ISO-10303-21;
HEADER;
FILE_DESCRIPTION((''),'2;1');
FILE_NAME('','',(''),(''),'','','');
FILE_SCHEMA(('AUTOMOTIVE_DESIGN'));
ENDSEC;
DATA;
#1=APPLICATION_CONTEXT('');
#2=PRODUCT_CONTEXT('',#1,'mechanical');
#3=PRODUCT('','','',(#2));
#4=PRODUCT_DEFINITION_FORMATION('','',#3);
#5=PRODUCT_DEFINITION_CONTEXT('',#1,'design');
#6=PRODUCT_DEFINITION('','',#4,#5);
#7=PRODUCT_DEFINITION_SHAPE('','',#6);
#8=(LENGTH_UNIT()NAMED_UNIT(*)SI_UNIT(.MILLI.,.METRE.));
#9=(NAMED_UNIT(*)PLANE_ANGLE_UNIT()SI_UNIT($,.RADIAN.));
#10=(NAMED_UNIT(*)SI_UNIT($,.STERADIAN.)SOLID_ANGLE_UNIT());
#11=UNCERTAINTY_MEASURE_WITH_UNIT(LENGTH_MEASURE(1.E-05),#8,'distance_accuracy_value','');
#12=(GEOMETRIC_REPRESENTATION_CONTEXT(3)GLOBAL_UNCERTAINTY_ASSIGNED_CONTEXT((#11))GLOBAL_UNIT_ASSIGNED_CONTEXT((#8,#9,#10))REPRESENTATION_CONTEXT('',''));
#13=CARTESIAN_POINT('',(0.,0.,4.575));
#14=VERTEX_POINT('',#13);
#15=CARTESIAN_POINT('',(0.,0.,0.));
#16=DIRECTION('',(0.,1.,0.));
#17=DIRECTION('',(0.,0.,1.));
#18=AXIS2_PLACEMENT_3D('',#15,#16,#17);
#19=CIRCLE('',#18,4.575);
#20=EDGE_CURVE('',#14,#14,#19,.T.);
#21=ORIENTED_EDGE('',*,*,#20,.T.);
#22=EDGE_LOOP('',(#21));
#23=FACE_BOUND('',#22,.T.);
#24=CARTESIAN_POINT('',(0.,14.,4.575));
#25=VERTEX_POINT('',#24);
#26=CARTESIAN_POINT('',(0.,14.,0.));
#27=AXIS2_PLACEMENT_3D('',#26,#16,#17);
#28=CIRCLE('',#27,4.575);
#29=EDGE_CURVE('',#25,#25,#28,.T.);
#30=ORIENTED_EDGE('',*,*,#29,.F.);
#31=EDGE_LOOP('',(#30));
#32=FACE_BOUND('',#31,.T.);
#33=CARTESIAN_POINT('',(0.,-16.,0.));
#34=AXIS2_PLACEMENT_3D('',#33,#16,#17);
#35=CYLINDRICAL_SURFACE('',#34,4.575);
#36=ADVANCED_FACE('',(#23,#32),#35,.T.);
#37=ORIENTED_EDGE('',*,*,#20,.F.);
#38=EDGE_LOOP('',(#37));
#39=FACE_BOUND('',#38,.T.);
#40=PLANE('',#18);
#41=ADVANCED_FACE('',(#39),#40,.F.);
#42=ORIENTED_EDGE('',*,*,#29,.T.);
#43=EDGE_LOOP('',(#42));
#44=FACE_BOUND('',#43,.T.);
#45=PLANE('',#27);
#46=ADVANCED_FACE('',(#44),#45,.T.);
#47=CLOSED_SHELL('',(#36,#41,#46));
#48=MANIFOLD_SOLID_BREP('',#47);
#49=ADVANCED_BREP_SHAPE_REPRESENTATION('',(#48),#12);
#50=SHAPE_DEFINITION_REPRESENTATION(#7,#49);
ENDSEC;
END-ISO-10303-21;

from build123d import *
from build123d.topology import SkipClean

# Parameters (mm, degrees)
SKETCH1_R               = 4.65
BOSS_EXTRUDE1_DEPTH     = 12
SKETCH2_R               = 17.5
BOSS_EXTRUDE2_DEPTH     = 2
SKETCH3_W               = 5
SKETCH3_H               = 13
BOSS_EXTRUDE3_DEPTH     = 12
FILLET1_R               = 4
FILLET2_R               = 4
CUT_EXTRUDE1_DEPTH      = 29.434134416
SKETCH5_R               = 2.05
CUT_EXTRUDE2_DEPTH      = 70
FILLET3_R               = 4
SKETCH6_R               = 24.65
SKETCH6_R_2             = 4.65
CUT_EXTRUDE_THIN1_DEPTH = 25.540782384
SKETCH7_R               = 24.575
SKETCH7_R_2             = 4.575
CUT_EXTRUDE_THIN2_DEPTH = 30


with BuildPart() as part:
    # Sketch1 → Boss-Extrude1 (new body)
    with BuildSketch(Plane(origin=(0, 0, 0), x_dir=(1, 0, 0), z_dir=(0, 1, 0))):
        with Locations(Location((0, 0, 0), (0, 0, 270))):
            Circle(SKETCH1_R)
    extrude(amount=BOSS_EXTRUDE1_DEPTH)

    # Sketch2 → Boss-Extrude2 (add)
    with BuildSketch(Plane(origin=(0, 12, 0), x_dir=(1, 0, 0), z_dir=(0, 1, 0))):
        with Locations(Location((0, 0, 0), (0, 0, 270))):
            Circle(SKETCH2_R)
    extrude(amount=BOSS_EXTRUDE2_DEPTH)

    # Sketch3 → Boss-Extrude3 (add)
    with BuildSketch(Plane(origin=(0, 14, 0), x_dir=(1, 0, 0), z_dir=(0, 1, 0))):
        with Locations((7.5, 0)):
            Rectangle(SKETCH3_W, SKETCH3_H)
    boss_extrude3 = extrude(amount=BOSS_EXTRUDE3_DEPTH)

    # Mirror1: Boss-Extrude3 across plane
    add(boss_extrude3.mirror(Plane(origin=(0, 0, 0), x_dir=(0, 0, 1), z_dir=(1, 0, 0))))

    # Fillet1
    fillet1_edges = [part.edges().sort_by_distance(p)[0] for p in [
        (7.5, 26, -6.5),
        (7.5, 26, 6.5),
        (-7.5, 26, 6.5),
        (-7.5, 26, -6.5),
    ]]
    fillet(fillet1_edges, radius=FILLET1_R)

    # Fillet2
    fillet2_edges = [part.edges().sort_by_distance(p)[0] for p in [
        (7.5, 14, 6.5),
        (7.5, 14, -6.5),
        (-7.5, 14, -6.5),
        (-7.5, 14, 6.5),
    ]]
    fillet(fillet2_edges, radius=FILLET2_R)

    # Sketch4 → Cut-Extrude1 (cut, through all)
    with BuildSketch(Plane(origin=(0, 14, 0), x_dir=(1, 0, 0), z_dir=(0, 1, 0))):
        with BuildLine():
            Line((10, 14.361406616), (10, 0))
            Line((10, 0), (10, -14.361406616))
            ThreePointArc((10, -14.361406616), (15.512092057, -8.100925873), (17.5, 0))
            ThreePointArc((17.5, 0), (15.512092057, 8.100925873), (10, 14.361406616))
        make_face()
    cut_extrude1 = extrude(amount=-CUT_EXTRUDE1_DEPTH, mode=Mode.SUBTRACT)

    # Mirror2: Cut-Extrude1 across plane
    add(cut_extrude1.mirror(Plane(origin=(0, 0, 0), x_dir=(0, 0, 1), z_dir=(1, 0, 0))), mode=Mode.SUBTRACT)

    # Sketch5 → Cut-Extrude2 (cut)
    with BuildSketch(Plane(origin=(10, 0, 0), x_dir=(0, 0, -1), z_dir=(1, 0, 0))):
        with Locations((0, 20)):
            Circle(SKETCH5_R)
    extrude(amount=-CUT_EXTRUDE2_DEPTH, mode=Mode.SUBTRACT)

    # Fillet3
    fillet3_edges = [part.edges().sort_by_distance(p)[0] for p in [
        (10, 13, -14.361406616),
        (10, 13, 14.361406616),
        (-10, 13, 14.361406616),
        (-10, 13, -14.361406616),
    ]]
    fillet(fillet3_edges, radius=FILLET3_R)

    # Sketch6 → Cut-Extrude-Thin1 (cut, through all)
    with SkipClean():  # the faces are left unmerged after this step: merging them gives an invalid solid
        with BuildSketch(Plane.XZ.offset(-12)):
            Circle(SKETCH6_R)
            Circle(SKETCH6_R_2, mode=Mode.SUBTRACT)
        extrude(amount=-CUT_EXTRUDE_THIN1_DEPTH, mode=Mode.SUBTRACT)

    # Sketch7 → Cut-Extrude-Thin2 (cut)
    with BuildSketch(Plane(origin=(0, 14, 0), x_dir=(1, 0, 0), z_dir=(0, 1, 0))):
        Circle(SKETCH7_R)
        Circle(SKETCH7_R_2, mode=Mode.SUBTRACT)
    extrude(amount=-CUT_EXTRUDE_THIN2_DEPTH, mode=Mode.SUBTRACT)


solid = part.part
